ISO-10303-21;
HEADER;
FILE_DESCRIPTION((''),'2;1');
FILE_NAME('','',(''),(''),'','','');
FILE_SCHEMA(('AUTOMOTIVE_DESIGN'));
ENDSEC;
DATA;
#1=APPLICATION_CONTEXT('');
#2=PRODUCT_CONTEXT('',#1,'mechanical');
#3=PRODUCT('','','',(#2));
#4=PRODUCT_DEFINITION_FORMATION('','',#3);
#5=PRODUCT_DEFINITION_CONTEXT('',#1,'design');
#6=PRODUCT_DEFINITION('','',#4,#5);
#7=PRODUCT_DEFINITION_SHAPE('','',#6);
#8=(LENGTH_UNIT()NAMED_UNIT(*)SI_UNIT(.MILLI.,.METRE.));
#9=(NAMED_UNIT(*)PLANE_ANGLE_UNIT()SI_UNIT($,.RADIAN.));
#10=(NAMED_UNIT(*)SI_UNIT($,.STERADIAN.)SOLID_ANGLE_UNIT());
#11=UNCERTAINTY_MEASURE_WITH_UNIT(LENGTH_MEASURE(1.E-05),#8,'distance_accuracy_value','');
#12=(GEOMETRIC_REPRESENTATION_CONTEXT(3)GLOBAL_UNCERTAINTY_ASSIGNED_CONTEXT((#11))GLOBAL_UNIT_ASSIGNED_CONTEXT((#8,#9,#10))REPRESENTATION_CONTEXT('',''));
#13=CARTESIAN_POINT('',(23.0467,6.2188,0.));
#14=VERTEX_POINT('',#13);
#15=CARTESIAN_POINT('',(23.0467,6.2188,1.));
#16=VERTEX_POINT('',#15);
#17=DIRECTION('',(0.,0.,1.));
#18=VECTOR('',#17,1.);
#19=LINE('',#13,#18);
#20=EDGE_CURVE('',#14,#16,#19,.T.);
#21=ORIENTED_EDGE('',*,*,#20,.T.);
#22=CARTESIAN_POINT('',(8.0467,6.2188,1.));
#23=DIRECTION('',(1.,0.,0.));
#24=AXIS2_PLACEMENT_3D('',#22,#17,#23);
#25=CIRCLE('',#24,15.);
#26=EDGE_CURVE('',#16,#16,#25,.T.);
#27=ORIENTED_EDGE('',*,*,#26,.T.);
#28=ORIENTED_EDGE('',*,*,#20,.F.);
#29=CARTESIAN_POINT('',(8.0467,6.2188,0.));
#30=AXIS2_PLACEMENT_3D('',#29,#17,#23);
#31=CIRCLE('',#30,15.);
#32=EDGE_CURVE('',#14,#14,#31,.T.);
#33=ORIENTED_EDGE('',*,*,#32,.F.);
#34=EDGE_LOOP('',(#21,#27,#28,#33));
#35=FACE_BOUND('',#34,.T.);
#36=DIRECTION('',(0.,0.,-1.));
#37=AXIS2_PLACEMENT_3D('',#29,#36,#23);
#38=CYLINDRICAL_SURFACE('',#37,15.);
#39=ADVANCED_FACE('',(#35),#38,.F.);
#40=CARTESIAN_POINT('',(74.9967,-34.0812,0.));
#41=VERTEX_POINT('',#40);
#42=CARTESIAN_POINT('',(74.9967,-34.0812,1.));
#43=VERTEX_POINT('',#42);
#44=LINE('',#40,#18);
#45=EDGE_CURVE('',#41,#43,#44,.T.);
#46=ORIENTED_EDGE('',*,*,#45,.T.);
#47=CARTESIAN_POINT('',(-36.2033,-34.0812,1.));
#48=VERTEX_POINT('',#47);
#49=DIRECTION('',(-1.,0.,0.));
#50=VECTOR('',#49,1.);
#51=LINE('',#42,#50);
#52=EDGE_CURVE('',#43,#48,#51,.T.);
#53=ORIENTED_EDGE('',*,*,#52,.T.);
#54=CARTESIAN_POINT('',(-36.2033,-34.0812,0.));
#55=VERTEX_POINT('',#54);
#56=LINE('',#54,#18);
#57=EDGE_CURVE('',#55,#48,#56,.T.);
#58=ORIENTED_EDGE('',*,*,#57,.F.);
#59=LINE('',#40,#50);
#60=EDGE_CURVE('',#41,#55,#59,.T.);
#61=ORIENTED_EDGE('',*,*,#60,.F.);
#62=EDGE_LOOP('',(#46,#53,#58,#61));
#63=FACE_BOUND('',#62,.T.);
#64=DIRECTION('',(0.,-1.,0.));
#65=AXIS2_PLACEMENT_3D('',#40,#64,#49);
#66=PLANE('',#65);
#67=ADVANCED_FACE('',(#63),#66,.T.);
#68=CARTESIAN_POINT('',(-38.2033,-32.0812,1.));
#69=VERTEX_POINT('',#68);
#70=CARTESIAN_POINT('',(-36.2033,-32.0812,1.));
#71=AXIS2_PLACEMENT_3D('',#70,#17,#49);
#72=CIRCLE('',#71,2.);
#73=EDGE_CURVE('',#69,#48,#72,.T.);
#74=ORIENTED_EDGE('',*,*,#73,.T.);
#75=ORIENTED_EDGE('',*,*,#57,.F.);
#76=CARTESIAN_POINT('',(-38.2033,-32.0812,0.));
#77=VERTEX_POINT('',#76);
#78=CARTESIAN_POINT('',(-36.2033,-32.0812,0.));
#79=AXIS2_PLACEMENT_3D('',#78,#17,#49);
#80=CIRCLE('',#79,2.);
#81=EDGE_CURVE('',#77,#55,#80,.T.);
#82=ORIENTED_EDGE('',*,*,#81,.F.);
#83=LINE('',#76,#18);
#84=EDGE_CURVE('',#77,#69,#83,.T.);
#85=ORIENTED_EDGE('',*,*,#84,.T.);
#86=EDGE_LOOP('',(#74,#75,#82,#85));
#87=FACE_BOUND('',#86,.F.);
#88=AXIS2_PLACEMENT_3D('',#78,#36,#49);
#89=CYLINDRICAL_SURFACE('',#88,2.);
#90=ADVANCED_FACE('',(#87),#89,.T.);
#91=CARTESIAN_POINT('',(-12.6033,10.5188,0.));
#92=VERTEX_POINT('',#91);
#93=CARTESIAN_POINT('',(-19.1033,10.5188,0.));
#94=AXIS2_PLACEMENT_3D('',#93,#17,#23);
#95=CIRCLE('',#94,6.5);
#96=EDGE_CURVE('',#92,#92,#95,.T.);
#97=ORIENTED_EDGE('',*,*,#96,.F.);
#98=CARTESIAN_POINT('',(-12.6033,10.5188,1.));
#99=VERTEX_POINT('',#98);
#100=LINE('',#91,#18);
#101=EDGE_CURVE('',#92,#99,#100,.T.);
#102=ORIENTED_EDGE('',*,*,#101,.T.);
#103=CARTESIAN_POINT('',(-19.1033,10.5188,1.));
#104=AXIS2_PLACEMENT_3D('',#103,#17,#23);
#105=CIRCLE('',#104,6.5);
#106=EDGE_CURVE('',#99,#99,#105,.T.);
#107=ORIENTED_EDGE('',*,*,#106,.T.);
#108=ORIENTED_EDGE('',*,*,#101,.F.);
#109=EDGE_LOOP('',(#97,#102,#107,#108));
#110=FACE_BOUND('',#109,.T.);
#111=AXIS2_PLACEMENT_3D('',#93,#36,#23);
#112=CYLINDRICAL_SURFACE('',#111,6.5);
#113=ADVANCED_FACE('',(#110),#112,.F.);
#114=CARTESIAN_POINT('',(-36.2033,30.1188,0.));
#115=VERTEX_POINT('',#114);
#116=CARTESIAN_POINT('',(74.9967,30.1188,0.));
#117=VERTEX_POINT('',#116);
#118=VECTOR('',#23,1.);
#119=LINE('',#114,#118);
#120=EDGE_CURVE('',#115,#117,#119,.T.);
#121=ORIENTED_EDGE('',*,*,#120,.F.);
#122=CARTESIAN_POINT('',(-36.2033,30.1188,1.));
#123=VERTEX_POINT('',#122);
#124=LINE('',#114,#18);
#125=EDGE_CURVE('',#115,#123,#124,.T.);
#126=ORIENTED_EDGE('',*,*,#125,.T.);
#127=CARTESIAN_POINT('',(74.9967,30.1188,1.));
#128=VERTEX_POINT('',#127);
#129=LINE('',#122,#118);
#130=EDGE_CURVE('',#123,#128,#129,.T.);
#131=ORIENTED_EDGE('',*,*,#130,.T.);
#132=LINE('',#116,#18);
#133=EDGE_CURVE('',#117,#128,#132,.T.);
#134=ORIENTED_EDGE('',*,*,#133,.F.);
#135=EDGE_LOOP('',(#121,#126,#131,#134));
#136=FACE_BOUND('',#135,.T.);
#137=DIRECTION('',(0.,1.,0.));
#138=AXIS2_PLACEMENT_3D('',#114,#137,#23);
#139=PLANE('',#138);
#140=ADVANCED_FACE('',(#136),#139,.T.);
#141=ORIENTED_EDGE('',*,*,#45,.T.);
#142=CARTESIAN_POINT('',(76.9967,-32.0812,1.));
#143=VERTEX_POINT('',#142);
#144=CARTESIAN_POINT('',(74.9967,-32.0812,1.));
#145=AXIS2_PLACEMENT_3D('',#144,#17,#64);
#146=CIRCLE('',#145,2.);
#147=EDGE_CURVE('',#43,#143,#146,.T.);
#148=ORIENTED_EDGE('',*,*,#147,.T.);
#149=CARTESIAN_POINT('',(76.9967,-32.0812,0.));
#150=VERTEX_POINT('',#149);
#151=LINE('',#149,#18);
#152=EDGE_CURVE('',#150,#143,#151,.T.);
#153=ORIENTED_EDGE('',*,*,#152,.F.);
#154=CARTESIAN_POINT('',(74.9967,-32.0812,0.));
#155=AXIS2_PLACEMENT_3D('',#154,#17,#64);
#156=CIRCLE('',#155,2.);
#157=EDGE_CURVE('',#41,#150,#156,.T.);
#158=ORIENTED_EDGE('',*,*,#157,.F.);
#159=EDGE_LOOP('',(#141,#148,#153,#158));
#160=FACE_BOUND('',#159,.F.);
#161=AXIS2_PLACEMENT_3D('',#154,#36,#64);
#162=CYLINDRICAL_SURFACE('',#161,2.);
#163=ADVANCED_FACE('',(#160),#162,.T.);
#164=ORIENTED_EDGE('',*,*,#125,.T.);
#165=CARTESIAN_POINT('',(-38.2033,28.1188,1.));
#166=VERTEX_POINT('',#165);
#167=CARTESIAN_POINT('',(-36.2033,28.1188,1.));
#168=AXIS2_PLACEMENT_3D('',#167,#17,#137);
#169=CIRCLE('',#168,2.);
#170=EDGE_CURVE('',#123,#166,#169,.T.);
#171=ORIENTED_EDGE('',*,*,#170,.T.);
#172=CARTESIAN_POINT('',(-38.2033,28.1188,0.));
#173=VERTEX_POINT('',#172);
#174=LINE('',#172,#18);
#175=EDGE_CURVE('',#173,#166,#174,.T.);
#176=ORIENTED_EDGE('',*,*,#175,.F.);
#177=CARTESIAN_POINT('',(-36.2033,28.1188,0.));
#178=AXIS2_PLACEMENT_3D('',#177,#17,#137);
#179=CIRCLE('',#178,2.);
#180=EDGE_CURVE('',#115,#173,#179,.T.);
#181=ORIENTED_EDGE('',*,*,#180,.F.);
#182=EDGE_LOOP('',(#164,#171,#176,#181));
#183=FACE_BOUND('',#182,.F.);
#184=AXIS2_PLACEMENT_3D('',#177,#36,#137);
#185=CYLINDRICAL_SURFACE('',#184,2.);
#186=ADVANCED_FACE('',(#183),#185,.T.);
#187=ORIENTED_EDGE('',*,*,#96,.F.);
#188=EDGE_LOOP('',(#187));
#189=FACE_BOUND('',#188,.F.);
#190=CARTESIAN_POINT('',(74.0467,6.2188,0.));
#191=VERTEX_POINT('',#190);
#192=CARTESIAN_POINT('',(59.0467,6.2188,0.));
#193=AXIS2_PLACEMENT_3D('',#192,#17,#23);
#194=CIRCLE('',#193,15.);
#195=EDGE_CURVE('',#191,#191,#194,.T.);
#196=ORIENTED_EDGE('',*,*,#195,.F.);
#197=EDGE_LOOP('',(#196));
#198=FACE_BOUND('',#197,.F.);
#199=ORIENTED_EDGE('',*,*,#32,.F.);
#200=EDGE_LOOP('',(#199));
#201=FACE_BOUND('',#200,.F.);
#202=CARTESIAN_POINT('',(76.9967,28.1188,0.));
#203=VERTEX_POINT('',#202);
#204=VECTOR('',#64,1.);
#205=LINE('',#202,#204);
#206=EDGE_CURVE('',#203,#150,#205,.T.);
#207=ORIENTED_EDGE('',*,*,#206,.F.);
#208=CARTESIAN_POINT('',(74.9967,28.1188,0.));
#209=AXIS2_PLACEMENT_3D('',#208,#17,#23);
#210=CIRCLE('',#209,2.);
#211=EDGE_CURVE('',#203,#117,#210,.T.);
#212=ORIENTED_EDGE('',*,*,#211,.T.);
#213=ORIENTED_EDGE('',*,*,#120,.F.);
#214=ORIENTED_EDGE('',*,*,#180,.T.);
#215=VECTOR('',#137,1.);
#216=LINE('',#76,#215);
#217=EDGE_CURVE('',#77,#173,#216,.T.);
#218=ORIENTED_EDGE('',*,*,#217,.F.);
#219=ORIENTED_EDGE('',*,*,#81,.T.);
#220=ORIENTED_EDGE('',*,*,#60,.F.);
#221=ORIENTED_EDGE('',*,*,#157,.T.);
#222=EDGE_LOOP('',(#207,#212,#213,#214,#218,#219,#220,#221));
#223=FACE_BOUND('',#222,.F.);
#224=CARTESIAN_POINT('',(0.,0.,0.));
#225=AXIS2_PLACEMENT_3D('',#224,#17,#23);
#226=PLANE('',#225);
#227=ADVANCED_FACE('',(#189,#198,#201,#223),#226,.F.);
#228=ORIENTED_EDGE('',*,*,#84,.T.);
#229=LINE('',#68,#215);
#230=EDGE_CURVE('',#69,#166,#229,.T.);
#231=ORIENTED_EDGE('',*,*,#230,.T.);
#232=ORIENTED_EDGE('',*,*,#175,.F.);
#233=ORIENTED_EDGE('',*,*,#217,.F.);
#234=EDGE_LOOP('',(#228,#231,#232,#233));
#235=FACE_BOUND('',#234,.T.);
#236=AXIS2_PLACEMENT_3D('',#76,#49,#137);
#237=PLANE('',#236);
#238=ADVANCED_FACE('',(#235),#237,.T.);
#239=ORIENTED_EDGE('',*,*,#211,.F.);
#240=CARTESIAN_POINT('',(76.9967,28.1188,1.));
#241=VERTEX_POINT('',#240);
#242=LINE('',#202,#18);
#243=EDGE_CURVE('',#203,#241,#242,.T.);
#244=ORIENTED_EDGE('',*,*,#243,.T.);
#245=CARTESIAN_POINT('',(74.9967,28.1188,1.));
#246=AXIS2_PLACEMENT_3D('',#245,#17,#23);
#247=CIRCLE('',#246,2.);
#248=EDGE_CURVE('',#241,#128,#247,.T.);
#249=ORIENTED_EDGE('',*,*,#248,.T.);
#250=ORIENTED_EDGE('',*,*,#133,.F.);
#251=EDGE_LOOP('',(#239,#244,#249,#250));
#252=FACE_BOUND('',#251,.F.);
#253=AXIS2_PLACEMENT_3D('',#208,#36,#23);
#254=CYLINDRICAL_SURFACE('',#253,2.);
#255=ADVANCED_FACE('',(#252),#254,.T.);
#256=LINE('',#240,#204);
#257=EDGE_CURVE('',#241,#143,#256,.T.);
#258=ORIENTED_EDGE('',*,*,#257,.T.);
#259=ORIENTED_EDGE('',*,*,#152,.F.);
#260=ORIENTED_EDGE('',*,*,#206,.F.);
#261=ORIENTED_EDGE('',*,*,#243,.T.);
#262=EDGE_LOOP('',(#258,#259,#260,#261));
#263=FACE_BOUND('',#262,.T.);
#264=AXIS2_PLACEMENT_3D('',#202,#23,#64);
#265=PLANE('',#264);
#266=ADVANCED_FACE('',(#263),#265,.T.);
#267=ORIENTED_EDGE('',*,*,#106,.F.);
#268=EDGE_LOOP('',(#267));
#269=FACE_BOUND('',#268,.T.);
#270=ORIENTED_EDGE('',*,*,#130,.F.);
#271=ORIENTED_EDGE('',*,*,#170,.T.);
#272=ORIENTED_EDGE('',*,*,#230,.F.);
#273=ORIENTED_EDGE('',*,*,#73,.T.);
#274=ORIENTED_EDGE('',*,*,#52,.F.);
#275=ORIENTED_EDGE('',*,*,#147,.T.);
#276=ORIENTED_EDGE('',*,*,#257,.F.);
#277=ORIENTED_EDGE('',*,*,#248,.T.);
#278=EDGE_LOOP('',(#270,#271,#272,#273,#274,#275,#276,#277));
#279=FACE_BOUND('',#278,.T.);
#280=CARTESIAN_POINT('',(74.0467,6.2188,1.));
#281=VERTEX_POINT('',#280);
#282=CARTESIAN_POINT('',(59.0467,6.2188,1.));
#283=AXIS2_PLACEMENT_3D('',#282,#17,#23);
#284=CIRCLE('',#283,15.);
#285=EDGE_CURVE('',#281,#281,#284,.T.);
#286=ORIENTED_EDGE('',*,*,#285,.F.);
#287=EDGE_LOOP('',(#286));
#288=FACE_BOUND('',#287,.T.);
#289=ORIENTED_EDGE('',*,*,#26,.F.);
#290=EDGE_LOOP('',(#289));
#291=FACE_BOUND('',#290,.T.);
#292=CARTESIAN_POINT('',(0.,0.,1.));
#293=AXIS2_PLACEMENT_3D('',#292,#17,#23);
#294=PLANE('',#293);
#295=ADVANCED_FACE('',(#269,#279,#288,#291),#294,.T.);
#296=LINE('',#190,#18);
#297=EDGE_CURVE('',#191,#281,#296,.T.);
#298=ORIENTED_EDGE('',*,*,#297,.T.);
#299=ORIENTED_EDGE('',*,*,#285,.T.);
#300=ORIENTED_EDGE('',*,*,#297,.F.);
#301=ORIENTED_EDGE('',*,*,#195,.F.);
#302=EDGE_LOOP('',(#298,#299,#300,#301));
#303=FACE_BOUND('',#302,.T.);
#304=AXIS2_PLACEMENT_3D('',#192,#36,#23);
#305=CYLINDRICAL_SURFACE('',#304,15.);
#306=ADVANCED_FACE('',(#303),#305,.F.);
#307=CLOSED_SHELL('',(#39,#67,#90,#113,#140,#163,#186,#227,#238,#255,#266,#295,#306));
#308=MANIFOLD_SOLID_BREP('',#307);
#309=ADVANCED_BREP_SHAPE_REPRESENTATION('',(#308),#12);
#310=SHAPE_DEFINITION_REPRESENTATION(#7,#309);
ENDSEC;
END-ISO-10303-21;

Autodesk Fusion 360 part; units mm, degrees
sketch "Esquisse1" plane through (0, 0, 0) normal (0, 0, 1) x (1, 0, 0)
  line L0 (74.9967, -34.0812) -> (-36.2033, -34.0812)
  circle A0 centre (59.0467, 6.2188) radius 15
  line L1 (76.9967, 28.1188) -> (76.9967, -32.0812)
  line L2 (-38.2033, -32.0812) -> (-38.2033, 28.1188)
  line L3 (74.8967, -31.9812) -> (-36.1033, -31.9812)
  line L4 (-36.2033, 30.1188) -> (74.9967, 30.1188)
  line L5 (-36.1033, 28.0188) -> (74.8967, 28.0188)
  line L6 (-36.1033, -31.9812) -> (-36.1033, 28.0188)
  circle A1 centre (8.0467, 6.2188) radius 15
  line L7 (74.8967, 28.0188) -> (74.8967, -31.9812)
  arc A2 (74.9967, -34.0812) -> (76.9967, -32.0812) centre (74.9967, -32.0812) ccw
  arc A3 (76.9967, 28.1188) -> (74.9967, 30.1188) centre (74.9967, 28.1188) ccw
  arc A4 (-36.2033, 30.1188) -> (-38.2033, 28.1188) centre (-36.2033, 28.1188) ccw
  arc A5 (-38.2033, -32.0812) -> (-36.2033, -34.0812) centre (-36.2033, -32.0812) ccw
  circle A6 centre (-19.1033, 10.5188) radius 6.5
  point P0 (-37.2797, 0.2421)
  dimension "d25" = 115.2
  dimension "d26" = 64.2
  dimension "d38" = 30
  dimension "d41" = 46.25
  dimension "d42" = 111
  dimension "d43" = 60
  dimension "d44" = 2.1
  dimension "d45" = 2.1
  dimension "d47" = 30
  dimension "d48" = 51
  dimension "d21" = 2
  dimension "d22" = 2
  dimension "d23" = 2
  dimension "d24" = 2
  dimension "d28" = 13
  dimension "d29" = 42.5
  dimension "d30" = 17
  dimension "d34" = 38.2
  dimension "d35" = 38.2
extrude "Extrusion1" add sketch "Esquisse1" along normal blind 1 contours L0 L1 L2 L4 A2 A3 A4 A5 | L3 L5 L6 L7
